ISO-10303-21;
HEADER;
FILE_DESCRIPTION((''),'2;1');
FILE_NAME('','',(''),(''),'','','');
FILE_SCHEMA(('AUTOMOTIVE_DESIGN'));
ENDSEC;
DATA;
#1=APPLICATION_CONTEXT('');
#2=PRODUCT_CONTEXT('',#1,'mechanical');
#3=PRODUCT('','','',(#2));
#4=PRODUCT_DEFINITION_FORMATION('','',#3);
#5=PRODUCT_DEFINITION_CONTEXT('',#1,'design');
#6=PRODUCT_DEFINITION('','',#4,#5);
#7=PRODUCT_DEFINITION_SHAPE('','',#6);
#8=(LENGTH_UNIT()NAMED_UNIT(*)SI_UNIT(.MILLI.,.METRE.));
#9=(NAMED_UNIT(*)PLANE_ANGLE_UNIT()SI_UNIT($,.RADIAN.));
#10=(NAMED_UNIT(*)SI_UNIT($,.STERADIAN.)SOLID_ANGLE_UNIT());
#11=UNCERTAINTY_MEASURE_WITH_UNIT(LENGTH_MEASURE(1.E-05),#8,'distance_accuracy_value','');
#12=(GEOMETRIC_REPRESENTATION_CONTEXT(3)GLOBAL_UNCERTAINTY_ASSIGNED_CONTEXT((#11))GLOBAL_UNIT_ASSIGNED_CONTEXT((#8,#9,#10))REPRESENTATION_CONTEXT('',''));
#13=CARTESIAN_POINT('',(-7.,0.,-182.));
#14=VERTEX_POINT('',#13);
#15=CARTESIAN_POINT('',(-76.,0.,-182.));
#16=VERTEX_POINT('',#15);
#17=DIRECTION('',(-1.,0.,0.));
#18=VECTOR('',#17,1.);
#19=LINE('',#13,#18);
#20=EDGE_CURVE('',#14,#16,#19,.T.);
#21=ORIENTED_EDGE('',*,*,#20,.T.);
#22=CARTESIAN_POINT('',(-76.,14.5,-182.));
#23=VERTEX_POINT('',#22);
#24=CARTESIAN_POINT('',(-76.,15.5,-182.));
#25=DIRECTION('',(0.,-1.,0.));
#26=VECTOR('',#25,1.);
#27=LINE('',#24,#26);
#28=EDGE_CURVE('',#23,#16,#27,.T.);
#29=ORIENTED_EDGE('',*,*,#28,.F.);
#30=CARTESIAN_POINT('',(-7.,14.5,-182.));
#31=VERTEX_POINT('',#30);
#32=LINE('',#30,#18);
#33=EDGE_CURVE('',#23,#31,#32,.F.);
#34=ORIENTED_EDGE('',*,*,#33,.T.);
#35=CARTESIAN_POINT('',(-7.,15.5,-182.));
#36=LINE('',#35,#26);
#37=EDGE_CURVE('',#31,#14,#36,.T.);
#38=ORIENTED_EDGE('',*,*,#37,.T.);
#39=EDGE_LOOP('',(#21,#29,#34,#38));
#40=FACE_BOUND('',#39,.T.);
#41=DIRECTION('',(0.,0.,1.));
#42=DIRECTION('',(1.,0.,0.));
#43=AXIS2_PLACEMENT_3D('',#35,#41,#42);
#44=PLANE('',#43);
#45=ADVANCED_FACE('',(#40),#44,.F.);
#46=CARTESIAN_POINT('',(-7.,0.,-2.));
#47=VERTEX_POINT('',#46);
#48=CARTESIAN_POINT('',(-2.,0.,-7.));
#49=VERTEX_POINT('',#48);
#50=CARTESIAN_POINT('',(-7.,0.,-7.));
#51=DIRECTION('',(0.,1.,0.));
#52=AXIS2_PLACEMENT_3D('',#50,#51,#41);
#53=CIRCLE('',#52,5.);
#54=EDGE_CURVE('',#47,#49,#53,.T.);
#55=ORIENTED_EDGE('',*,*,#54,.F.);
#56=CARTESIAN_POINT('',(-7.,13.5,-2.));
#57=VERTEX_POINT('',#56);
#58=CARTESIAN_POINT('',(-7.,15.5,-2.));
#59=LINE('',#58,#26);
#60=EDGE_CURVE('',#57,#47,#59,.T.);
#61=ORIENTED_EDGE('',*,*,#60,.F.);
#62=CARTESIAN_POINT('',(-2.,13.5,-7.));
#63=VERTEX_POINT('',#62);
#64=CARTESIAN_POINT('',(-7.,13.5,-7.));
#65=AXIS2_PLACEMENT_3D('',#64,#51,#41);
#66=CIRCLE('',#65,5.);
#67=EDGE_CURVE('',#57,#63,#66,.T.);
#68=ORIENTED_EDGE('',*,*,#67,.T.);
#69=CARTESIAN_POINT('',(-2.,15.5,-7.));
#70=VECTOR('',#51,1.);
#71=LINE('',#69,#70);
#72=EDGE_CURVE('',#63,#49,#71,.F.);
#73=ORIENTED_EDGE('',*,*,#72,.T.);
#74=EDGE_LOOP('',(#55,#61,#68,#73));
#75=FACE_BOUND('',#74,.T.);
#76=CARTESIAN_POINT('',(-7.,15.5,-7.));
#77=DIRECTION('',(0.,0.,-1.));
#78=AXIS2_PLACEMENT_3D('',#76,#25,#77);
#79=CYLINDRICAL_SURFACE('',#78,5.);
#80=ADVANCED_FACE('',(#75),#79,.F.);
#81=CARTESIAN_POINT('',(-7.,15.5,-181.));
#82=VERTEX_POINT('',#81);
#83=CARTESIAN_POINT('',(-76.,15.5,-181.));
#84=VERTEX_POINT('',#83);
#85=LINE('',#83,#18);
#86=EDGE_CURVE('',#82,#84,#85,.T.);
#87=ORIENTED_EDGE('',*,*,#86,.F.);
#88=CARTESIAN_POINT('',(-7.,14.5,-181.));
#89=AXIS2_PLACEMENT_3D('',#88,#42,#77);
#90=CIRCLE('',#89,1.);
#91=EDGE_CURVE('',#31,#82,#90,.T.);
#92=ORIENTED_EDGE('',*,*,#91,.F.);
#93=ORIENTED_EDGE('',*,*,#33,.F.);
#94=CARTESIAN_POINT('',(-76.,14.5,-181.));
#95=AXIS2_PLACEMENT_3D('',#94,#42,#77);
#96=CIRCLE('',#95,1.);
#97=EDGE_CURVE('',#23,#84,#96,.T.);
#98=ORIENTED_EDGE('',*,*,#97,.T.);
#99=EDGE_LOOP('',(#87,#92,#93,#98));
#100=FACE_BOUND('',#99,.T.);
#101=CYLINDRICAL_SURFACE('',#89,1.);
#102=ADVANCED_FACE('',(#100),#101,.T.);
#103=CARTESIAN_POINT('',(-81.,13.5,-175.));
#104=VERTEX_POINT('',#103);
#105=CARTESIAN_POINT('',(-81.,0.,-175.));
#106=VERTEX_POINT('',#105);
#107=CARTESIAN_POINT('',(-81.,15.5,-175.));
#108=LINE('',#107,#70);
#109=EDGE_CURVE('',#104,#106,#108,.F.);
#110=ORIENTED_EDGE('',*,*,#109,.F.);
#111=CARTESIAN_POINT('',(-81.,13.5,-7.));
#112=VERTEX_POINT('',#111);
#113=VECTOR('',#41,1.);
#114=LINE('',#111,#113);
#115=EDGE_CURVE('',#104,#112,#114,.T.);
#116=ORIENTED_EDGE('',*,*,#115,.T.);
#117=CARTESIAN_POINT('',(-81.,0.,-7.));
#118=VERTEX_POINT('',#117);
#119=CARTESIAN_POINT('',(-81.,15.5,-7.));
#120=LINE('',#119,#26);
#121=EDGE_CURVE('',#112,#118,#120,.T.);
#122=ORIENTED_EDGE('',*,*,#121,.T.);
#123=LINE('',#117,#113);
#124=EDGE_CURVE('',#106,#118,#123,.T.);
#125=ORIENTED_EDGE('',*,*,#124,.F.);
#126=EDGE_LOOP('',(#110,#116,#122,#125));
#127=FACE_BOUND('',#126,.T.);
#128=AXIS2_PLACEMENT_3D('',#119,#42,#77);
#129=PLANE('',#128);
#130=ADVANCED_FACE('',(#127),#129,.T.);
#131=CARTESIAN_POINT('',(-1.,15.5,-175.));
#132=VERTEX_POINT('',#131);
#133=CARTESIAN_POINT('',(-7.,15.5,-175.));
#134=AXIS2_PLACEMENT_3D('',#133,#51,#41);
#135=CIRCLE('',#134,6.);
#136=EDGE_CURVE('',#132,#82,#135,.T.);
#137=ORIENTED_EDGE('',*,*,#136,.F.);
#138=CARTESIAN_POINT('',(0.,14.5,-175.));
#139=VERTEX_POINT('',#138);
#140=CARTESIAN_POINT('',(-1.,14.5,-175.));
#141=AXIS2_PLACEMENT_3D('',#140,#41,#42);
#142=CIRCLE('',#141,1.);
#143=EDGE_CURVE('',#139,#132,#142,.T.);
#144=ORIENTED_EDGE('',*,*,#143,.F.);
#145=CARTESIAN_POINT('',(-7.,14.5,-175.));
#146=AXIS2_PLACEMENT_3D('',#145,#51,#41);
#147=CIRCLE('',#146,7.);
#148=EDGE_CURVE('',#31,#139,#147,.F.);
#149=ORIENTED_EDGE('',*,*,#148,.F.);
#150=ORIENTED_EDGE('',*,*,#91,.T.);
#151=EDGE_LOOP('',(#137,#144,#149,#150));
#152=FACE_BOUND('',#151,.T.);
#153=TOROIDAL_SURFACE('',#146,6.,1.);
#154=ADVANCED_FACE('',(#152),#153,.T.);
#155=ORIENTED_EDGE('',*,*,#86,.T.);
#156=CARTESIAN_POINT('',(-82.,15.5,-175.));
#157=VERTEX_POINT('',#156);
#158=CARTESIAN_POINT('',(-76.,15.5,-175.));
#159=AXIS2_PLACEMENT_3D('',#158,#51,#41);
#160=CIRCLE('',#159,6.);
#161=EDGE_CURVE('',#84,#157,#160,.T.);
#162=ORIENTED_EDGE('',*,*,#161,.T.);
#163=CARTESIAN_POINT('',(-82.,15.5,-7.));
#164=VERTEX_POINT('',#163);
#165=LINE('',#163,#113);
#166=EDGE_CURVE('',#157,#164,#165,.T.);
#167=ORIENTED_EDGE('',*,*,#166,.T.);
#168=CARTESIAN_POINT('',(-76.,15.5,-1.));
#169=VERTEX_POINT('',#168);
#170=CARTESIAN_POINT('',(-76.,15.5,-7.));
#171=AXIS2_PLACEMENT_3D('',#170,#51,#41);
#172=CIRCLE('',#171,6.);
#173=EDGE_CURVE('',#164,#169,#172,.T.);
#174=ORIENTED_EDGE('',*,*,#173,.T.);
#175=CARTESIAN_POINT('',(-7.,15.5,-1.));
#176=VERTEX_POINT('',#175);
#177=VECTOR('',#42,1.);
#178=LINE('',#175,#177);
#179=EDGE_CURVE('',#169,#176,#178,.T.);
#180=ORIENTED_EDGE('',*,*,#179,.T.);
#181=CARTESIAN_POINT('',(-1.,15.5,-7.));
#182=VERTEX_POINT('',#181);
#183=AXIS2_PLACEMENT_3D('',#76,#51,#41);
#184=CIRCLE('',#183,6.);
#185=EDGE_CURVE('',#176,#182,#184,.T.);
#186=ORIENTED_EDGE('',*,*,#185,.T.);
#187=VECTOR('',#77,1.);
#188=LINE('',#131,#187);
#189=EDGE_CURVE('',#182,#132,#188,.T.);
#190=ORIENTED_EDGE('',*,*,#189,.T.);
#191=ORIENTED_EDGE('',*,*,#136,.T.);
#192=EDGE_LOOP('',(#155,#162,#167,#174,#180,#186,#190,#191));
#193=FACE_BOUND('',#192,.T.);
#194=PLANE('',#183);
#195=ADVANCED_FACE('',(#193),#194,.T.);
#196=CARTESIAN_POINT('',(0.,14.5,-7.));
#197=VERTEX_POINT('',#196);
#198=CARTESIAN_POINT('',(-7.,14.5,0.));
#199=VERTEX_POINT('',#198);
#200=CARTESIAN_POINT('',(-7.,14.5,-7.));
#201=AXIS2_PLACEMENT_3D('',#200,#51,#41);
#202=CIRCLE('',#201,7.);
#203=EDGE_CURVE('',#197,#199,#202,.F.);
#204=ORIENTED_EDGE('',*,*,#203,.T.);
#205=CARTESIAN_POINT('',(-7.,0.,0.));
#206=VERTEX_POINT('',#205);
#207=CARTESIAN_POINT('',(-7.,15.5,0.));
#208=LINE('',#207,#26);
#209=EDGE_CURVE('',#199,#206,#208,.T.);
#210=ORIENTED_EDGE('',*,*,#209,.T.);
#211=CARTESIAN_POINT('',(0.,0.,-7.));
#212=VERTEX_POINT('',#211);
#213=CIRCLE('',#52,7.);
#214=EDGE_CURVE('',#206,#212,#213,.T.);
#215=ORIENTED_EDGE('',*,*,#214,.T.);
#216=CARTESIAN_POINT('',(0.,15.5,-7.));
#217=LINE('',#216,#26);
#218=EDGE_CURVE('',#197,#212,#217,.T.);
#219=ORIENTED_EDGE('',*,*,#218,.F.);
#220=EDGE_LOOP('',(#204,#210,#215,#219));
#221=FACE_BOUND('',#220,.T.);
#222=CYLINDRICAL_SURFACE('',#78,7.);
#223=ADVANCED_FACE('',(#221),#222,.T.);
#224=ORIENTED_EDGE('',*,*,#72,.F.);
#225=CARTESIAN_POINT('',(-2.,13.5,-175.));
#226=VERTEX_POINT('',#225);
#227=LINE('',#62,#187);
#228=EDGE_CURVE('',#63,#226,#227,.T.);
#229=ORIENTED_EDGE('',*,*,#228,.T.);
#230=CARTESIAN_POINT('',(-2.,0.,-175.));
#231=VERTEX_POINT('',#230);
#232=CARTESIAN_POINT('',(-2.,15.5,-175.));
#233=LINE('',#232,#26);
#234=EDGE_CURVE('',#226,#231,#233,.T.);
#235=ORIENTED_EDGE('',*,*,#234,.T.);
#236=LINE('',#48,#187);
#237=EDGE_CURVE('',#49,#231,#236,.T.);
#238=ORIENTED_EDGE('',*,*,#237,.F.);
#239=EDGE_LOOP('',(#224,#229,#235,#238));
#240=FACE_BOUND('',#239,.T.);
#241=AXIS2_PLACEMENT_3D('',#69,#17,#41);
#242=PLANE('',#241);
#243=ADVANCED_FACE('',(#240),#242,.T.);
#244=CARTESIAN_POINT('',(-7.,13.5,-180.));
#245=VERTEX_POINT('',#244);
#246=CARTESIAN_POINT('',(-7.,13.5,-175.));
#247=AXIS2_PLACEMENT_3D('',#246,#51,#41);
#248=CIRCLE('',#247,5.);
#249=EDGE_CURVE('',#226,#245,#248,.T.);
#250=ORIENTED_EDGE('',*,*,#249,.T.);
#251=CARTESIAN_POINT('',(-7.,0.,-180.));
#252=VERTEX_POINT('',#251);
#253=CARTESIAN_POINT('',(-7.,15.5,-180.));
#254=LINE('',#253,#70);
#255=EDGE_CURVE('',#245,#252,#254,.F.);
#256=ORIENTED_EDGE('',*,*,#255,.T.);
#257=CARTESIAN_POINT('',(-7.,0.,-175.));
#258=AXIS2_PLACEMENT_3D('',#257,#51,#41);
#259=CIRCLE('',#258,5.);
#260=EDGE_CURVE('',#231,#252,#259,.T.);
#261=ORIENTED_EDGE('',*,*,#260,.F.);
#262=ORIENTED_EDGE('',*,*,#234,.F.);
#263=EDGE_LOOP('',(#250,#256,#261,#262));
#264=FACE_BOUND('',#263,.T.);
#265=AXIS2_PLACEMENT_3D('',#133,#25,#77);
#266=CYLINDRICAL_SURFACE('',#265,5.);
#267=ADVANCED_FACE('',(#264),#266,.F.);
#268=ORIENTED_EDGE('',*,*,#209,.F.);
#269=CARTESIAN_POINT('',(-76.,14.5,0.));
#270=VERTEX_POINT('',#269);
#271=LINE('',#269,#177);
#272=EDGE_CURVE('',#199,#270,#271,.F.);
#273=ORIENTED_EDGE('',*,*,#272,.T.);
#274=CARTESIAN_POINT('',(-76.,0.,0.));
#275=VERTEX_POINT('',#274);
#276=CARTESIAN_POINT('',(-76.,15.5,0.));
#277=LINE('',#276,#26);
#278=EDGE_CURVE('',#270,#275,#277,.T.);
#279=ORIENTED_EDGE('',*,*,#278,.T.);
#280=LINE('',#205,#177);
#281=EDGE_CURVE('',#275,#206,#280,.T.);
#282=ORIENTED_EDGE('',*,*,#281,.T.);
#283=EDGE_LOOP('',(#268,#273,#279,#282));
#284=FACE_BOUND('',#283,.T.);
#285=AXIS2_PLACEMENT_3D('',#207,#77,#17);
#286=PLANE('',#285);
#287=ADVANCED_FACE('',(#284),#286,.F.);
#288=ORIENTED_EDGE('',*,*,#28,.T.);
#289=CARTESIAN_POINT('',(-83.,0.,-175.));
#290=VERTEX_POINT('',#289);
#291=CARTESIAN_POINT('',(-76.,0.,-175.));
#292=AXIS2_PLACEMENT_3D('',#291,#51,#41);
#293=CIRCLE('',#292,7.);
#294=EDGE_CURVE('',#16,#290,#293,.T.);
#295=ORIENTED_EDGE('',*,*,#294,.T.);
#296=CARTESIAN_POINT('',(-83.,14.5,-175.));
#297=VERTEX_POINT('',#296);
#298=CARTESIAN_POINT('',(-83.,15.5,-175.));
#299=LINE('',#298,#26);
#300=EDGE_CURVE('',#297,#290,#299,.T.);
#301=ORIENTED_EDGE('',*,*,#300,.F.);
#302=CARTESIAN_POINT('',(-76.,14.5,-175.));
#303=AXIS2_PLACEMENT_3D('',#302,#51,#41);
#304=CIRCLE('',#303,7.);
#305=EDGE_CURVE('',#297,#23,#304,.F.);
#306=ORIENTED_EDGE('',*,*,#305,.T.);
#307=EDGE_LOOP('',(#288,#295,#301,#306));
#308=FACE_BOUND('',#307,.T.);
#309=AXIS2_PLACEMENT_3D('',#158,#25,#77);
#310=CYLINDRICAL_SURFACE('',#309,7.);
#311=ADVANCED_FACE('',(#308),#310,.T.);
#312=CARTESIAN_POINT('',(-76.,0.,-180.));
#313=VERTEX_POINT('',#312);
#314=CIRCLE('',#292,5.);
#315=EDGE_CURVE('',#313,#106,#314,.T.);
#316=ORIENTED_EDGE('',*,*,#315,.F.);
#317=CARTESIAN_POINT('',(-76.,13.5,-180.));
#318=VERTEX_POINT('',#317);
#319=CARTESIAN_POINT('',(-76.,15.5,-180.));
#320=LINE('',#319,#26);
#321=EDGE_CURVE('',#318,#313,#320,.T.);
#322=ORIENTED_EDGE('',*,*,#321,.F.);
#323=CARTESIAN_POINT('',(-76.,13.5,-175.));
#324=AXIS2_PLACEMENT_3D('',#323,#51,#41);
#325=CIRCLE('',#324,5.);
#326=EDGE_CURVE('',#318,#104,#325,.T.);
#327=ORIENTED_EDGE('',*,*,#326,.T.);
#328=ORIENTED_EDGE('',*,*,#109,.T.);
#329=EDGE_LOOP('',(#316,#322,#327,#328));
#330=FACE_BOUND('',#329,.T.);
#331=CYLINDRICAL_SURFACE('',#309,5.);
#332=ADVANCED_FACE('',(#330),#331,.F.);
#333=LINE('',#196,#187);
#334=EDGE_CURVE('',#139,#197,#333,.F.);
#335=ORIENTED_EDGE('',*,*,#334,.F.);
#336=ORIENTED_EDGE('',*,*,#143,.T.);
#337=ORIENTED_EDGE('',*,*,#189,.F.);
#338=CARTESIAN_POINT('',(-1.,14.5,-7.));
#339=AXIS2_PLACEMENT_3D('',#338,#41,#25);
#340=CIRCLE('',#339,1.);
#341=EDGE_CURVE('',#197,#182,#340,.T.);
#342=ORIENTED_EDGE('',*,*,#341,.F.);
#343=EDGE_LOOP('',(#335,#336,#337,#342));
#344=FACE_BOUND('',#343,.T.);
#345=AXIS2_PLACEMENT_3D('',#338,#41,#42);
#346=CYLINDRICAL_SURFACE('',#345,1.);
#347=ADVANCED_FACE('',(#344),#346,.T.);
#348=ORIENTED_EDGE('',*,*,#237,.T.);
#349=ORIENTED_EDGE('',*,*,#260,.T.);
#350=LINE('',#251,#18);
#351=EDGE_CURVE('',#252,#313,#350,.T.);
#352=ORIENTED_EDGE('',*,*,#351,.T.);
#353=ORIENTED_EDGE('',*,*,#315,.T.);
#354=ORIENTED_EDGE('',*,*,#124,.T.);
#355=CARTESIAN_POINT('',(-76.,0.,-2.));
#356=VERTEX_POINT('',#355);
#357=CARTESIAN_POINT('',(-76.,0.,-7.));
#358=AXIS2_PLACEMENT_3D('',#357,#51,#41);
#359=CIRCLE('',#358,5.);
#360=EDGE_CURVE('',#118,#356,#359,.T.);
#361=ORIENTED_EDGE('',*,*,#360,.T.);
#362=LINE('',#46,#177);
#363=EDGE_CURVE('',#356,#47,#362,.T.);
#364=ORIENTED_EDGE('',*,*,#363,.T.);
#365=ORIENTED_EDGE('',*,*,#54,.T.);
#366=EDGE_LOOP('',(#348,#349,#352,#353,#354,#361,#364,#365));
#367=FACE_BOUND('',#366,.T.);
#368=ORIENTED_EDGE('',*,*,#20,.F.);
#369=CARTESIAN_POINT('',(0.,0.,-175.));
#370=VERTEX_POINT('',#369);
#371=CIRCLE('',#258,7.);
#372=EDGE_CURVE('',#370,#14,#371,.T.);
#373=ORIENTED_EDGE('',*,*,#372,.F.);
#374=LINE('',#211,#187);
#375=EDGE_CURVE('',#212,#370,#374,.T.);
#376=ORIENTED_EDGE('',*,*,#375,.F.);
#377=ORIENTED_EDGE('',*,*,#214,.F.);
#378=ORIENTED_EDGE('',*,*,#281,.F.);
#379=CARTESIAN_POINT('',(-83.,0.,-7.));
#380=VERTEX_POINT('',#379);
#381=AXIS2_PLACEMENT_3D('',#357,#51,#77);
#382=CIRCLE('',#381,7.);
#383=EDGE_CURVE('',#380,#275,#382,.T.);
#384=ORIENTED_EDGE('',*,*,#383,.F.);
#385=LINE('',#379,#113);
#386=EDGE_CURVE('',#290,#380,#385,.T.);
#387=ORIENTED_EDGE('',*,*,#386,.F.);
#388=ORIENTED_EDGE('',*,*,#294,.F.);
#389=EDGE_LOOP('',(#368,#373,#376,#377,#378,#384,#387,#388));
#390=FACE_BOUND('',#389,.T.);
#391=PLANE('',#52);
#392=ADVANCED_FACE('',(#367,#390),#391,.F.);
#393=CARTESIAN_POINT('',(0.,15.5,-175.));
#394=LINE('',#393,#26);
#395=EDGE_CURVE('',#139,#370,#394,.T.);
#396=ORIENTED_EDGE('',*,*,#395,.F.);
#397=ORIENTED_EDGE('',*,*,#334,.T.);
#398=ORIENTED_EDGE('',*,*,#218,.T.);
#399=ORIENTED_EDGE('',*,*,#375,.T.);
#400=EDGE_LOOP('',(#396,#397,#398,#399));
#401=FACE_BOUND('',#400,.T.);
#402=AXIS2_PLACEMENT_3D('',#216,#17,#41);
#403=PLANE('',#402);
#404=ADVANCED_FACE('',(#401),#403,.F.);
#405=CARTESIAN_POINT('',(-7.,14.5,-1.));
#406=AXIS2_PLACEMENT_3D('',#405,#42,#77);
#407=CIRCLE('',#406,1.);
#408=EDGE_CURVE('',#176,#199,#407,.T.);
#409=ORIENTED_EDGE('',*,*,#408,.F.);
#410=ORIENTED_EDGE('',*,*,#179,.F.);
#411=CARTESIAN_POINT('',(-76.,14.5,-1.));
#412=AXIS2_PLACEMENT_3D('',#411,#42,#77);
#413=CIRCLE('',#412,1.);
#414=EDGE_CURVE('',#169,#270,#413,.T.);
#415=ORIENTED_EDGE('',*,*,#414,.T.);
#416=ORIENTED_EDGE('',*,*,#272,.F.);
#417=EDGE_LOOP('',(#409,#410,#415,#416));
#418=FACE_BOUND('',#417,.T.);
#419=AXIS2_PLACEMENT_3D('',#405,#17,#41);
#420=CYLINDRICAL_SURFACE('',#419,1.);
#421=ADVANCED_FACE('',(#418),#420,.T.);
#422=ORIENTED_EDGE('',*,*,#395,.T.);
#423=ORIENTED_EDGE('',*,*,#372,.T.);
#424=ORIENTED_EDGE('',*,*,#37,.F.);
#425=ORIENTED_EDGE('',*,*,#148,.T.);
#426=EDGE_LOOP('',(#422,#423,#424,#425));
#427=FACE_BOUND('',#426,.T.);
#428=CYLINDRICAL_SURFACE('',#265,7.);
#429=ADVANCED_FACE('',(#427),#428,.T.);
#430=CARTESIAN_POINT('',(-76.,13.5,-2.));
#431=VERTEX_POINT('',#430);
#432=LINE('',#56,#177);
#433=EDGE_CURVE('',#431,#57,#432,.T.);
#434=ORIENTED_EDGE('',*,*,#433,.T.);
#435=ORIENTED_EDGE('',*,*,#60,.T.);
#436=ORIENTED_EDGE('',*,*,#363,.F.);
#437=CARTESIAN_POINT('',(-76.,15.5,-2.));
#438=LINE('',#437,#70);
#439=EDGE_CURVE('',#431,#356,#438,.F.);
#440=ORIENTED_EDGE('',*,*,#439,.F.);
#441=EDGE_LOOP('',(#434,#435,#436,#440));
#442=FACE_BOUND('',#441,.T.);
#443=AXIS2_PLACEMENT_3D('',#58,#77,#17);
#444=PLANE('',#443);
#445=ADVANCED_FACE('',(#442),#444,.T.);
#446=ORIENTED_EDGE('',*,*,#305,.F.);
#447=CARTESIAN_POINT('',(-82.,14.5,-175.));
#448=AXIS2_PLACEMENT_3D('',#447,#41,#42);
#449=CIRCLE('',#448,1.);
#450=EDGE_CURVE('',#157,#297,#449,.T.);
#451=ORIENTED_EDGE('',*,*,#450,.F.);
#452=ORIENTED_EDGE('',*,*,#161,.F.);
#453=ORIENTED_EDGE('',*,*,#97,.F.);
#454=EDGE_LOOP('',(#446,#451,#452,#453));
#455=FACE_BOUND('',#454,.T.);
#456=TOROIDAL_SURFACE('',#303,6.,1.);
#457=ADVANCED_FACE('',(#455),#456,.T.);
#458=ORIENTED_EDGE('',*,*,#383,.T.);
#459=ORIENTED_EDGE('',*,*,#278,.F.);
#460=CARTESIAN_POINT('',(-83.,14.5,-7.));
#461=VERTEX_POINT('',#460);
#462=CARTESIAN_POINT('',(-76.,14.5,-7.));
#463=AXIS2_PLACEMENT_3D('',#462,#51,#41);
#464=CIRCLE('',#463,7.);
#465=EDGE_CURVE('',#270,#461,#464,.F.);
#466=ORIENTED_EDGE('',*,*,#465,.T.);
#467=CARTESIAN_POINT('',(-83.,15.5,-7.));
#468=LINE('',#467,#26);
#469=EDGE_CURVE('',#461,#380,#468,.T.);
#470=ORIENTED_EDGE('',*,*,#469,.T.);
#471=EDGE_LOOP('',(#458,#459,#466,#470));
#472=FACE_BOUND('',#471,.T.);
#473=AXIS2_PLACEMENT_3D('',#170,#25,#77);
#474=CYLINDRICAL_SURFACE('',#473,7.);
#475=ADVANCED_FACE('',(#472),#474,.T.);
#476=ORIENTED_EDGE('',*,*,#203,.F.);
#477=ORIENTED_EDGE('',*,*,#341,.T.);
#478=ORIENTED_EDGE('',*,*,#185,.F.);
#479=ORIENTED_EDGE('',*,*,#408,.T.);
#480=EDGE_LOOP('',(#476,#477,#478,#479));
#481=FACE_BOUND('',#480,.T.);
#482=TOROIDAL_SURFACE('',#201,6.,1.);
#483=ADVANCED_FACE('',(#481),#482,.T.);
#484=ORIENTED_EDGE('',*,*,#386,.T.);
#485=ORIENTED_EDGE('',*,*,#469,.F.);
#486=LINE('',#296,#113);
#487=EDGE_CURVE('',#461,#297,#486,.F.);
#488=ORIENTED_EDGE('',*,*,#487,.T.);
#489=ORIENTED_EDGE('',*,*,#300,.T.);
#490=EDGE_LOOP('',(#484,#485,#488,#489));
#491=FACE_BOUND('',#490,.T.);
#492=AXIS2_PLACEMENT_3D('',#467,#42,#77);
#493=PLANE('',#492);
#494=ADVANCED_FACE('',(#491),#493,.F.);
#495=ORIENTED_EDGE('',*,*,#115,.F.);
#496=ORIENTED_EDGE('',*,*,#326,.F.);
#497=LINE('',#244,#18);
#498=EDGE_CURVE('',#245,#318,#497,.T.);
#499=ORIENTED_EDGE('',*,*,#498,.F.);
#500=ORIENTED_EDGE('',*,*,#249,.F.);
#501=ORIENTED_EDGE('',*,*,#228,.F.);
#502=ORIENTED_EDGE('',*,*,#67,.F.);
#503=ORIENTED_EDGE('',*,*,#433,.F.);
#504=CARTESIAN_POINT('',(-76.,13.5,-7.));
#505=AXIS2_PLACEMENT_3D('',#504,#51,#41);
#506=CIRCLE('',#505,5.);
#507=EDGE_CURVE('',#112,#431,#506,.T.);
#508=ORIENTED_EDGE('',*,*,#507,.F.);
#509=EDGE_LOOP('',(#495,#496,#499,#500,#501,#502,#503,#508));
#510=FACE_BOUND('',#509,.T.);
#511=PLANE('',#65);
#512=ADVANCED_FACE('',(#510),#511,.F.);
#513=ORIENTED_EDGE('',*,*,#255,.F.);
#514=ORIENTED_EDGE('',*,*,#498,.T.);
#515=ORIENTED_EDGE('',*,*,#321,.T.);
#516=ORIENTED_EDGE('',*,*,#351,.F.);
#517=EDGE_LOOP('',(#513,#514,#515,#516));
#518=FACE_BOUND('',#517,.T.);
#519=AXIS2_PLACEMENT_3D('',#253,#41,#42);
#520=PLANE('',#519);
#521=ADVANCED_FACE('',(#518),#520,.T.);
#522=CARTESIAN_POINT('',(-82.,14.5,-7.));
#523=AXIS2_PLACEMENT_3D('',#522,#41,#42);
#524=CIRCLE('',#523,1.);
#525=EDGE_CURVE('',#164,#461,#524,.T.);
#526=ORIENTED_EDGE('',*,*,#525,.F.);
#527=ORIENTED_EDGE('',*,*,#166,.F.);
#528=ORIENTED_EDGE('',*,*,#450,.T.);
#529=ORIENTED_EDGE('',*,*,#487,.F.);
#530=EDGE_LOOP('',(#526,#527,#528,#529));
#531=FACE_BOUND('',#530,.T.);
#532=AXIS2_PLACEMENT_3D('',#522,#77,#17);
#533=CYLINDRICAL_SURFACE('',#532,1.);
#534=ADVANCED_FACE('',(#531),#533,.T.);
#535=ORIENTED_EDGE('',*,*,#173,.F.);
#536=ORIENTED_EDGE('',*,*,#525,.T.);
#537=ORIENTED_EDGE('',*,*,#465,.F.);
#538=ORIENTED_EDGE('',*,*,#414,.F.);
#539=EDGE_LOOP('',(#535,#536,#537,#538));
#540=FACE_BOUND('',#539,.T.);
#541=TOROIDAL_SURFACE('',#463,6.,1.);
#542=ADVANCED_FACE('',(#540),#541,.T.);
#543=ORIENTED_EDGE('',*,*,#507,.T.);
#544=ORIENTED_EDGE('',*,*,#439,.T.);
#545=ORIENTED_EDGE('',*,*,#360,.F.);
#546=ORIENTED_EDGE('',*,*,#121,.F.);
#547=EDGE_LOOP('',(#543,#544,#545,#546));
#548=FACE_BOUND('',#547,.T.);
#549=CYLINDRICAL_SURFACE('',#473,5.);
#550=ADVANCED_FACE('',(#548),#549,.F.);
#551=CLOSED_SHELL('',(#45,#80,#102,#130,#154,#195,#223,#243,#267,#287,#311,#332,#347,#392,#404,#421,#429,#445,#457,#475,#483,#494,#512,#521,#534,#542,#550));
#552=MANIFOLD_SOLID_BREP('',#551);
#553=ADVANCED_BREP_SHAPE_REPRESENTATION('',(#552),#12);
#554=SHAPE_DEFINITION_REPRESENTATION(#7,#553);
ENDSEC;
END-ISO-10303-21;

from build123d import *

# Parameters (mm, degrees)
EXTRUDE_1_DEPTH = 15.5
SHELL_1_T       = -2
FILLET_1_R      = 1


with BuildPart() as part:
    # Эскиз2 → Бобышка-Вытянуть1 (new body)
    with BuildSketch(Plane(origin=(0, 0, 0), x_dir=(1, 0, 0), z_dir=(0, 1, 0))):
        with BuildLine():
            Line((-7, 0), (-76, 0))
            ThreePointArc((-76, 0), (-80.949747468, 2.050252532), (-83, 7))
            Line((-83, 7), (-83, 175))
            ThreePointArc((-83, 175), (-80.949747468, 179.949747468), (-76, 182))
            Line((-76, 182), (-7, 182))
            ThreePointArc((-7, 182), (-2.050252532, 179.949747468), (0, 175))
            Line((0, 175), (0, 7))
            ThreePointArc((0, 7), (-2.050252532, 2.050252532), (-7, 0))
        make_face()
    extrude(amount=EXTRUDE_1_DEPTH)

    # Оболочка1
    shell_1_openings = [part.faces().sort_by_distance(p)[0] for p in [
        (-41.5, 0, -91),
    ]]
    offset(amount=SHELL_1_T, openings=shell_1_openings, kind=Kind.INTERSECTION)

    # Скругление1
    fillet_1_edges = [part.edges().sort_by_distance(p)[0] for p in [
        (-2.050252532, 15.5, -179.949747468),
        (-41.5, 15.5, -182),
        (-80.949747468, 15.5, -179.949747468),
        (-83, 15.5, -91),
        (-80.949747468, 15.5, -2.050252532),
        (-41.5, 15.5, 0),
        (-2.050252532, 15.5, -2.050252532),
        (0, 15.5, -91),
    ]]
    fillet(fillet_1_edges, radius=FILLET_1_R)


solid = part.part
